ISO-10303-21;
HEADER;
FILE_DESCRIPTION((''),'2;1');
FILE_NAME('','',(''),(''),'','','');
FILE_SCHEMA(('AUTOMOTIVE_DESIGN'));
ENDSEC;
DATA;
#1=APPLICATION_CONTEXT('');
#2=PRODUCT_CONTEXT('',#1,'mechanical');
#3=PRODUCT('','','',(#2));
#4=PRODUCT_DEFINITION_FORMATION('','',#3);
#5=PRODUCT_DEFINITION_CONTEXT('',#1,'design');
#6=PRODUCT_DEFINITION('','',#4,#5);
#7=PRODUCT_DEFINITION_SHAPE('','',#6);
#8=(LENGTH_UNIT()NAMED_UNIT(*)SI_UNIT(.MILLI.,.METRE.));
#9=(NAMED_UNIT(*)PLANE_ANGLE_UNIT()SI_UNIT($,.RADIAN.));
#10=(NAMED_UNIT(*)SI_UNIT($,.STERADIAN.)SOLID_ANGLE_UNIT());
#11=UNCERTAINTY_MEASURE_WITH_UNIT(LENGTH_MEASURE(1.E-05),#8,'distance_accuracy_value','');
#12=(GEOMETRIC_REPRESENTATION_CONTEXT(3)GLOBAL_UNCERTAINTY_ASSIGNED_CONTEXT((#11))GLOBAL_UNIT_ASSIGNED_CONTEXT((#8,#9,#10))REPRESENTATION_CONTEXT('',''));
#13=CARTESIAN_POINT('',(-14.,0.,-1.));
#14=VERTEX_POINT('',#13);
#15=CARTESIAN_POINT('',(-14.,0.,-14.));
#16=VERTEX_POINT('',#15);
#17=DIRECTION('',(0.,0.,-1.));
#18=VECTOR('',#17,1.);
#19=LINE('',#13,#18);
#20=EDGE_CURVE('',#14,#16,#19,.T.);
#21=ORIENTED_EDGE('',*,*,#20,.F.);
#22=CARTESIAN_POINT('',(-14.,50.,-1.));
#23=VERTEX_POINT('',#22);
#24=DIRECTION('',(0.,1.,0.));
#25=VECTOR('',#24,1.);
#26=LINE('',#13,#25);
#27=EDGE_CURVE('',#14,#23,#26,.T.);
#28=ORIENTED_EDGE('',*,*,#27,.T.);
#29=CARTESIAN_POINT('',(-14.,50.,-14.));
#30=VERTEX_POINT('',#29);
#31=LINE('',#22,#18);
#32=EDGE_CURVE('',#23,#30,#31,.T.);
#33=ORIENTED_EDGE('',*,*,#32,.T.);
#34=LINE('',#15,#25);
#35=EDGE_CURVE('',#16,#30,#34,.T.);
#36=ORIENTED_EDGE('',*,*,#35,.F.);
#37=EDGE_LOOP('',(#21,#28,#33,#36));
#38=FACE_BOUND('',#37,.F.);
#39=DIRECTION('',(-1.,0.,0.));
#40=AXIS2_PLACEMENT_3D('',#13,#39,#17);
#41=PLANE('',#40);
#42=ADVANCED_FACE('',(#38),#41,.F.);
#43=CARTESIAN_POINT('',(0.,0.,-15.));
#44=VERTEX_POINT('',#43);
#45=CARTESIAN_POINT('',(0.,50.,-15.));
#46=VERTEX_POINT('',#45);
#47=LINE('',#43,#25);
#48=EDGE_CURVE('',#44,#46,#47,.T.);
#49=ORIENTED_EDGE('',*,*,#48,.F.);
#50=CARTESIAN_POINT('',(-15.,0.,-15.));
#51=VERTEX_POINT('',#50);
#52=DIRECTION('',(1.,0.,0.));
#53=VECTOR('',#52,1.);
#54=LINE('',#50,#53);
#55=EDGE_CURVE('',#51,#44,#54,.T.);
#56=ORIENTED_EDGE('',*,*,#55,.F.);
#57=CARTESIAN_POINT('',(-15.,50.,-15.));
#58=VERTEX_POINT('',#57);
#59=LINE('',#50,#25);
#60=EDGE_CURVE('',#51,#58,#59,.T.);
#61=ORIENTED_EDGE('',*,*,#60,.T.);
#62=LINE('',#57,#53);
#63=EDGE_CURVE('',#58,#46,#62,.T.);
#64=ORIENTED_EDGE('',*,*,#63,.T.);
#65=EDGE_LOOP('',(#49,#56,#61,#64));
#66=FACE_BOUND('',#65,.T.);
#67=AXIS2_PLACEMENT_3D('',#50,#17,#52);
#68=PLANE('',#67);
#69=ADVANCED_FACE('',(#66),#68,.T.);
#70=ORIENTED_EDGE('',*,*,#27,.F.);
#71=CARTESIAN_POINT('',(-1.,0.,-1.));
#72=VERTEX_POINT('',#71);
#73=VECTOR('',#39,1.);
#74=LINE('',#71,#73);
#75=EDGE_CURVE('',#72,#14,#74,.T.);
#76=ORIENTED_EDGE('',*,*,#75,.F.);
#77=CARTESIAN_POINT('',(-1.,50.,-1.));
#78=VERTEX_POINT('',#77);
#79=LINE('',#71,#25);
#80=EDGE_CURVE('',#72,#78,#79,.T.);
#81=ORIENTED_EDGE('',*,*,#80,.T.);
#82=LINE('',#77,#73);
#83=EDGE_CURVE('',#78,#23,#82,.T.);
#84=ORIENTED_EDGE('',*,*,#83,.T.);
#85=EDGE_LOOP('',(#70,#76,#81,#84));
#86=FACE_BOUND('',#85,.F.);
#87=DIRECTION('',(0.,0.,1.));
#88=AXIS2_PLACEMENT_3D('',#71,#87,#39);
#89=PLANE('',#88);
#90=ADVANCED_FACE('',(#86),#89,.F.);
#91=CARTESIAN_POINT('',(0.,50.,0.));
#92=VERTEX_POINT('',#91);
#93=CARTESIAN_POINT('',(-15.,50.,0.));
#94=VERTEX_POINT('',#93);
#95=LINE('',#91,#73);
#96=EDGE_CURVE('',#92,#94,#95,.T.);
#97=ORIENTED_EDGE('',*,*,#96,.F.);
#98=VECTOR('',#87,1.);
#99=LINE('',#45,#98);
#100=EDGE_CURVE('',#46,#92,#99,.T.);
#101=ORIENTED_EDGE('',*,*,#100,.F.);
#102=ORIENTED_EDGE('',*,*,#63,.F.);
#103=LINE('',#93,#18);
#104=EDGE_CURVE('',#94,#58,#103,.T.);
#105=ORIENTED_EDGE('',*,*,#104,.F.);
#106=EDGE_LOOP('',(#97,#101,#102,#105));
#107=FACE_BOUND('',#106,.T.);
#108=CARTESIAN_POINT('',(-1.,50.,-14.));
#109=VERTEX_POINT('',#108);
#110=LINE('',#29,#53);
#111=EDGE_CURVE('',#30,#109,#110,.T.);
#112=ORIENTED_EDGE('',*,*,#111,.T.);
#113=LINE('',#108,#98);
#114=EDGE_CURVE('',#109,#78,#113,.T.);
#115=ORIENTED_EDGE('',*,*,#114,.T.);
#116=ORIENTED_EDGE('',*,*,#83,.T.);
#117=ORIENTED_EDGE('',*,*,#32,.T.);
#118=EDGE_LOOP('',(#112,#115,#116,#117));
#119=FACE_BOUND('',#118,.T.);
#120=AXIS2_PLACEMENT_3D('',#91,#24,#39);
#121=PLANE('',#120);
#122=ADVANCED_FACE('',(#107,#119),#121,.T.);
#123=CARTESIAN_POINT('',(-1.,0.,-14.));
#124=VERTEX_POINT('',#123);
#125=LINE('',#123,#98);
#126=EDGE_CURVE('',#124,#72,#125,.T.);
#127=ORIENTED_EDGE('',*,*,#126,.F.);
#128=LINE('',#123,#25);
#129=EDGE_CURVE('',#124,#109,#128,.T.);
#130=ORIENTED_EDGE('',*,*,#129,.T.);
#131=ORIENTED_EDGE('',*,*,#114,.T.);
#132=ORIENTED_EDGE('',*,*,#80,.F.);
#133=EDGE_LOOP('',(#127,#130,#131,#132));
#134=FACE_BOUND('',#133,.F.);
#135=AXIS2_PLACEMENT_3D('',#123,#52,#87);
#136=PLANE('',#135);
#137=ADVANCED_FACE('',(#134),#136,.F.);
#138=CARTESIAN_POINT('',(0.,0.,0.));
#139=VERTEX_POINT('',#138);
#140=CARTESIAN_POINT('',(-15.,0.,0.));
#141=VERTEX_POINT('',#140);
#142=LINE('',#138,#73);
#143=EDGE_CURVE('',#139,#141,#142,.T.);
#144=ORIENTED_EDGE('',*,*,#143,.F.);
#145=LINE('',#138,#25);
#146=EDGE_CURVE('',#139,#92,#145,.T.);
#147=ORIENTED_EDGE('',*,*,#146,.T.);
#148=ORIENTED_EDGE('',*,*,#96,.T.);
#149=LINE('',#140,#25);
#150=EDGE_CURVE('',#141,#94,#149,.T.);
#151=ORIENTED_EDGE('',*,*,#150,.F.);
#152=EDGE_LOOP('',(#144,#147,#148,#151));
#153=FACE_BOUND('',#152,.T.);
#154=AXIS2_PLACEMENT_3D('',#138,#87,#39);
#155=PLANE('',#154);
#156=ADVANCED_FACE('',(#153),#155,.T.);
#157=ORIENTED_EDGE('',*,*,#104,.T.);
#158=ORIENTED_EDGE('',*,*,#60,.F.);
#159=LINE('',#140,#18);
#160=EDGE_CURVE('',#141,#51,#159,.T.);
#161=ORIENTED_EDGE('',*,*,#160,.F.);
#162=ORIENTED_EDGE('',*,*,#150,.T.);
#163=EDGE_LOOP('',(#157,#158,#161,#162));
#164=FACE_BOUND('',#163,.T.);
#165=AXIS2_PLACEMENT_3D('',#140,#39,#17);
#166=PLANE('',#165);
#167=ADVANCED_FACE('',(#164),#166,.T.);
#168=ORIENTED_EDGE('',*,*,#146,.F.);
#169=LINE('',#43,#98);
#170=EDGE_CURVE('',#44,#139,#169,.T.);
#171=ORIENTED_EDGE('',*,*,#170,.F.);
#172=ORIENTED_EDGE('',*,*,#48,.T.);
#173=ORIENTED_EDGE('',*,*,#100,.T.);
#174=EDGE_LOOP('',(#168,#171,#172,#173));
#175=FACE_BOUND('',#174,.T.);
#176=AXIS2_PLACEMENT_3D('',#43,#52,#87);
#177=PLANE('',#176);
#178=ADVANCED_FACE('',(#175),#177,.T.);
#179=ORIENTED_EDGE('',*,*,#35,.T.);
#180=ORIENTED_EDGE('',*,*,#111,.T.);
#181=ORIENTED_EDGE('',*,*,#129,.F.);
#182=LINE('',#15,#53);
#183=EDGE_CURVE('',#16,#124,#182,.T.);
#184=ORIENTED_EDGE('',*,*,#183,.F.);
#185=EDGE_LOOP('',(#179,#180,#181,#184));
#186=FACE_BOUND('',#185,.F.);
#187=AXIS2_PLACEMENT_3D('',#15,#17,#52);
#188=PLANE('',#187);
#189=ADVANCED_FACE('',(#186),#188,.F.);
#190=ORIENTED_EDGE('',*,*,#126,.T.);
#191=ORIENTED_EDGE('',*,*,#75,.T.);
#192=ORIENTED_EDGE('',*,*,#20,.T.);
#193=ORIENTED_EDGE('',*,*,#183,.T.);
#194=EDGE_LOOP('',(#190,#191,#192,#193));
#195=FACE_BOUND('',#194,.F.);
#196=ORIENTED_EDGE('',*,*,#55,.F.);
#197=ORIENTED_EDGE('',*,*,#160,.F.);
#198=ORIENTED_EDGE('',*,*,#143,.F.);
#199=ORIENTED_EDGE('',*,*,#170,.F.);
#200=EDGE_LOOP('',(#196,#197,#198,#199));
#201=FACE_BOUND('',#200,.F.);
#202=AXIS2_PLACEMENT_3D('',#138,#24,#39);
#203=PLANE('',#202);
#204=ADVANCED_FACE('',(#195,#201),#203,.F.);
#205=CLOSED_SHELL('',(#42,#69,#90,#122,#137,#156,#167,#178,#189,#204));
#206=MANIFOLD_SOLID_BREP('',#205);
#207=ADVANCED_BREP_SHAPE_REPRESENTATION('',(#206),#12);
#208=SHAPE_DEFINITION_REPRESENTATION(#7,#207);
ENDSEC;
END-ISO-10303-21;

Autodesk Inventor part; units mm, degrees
ref_plane "YZ Plane" through (0, 0, 0) normal (1, 0, 0) x (0, 1, 0)
ref_plane "XZ Plane" through (0, 0, 0) normal (0, 1, 0) x (-1, 0, 0)
ref_plane "XY Plane" through (0, 0, 0) normal (0, 0, 1) x (1, 0, 0)
sketch "スケッチ1" plane through (0, 0, 0) normal (0, 1, 0) x (-1, 0, 0)
  line L0 (0, 0) -> (15, 0)
  line L1 (15, 0) -> (15, -15)
  line L2 (15, -15) -> (0, -15)
  line L3 (0, -15) -> (0, 0)
  line L4 (1, -1) -> (14, -1)
  line L5 (14, -1) -> (14, -14)
  line L6 (14, -14) -> (1, -14)
  line L7 (1, -14) -> (1, -1)
  dimension "d0" = 15
  dimension "d1" = 15
  dimension "d2" = 13
  dimension "d3" = 13
  dimension "d4" = 1
  dimension "d5" = 1
extrude "押し出し1" add sketch "スケッチ1" along normal blind 50
properties part number "NHK_t0_9"
